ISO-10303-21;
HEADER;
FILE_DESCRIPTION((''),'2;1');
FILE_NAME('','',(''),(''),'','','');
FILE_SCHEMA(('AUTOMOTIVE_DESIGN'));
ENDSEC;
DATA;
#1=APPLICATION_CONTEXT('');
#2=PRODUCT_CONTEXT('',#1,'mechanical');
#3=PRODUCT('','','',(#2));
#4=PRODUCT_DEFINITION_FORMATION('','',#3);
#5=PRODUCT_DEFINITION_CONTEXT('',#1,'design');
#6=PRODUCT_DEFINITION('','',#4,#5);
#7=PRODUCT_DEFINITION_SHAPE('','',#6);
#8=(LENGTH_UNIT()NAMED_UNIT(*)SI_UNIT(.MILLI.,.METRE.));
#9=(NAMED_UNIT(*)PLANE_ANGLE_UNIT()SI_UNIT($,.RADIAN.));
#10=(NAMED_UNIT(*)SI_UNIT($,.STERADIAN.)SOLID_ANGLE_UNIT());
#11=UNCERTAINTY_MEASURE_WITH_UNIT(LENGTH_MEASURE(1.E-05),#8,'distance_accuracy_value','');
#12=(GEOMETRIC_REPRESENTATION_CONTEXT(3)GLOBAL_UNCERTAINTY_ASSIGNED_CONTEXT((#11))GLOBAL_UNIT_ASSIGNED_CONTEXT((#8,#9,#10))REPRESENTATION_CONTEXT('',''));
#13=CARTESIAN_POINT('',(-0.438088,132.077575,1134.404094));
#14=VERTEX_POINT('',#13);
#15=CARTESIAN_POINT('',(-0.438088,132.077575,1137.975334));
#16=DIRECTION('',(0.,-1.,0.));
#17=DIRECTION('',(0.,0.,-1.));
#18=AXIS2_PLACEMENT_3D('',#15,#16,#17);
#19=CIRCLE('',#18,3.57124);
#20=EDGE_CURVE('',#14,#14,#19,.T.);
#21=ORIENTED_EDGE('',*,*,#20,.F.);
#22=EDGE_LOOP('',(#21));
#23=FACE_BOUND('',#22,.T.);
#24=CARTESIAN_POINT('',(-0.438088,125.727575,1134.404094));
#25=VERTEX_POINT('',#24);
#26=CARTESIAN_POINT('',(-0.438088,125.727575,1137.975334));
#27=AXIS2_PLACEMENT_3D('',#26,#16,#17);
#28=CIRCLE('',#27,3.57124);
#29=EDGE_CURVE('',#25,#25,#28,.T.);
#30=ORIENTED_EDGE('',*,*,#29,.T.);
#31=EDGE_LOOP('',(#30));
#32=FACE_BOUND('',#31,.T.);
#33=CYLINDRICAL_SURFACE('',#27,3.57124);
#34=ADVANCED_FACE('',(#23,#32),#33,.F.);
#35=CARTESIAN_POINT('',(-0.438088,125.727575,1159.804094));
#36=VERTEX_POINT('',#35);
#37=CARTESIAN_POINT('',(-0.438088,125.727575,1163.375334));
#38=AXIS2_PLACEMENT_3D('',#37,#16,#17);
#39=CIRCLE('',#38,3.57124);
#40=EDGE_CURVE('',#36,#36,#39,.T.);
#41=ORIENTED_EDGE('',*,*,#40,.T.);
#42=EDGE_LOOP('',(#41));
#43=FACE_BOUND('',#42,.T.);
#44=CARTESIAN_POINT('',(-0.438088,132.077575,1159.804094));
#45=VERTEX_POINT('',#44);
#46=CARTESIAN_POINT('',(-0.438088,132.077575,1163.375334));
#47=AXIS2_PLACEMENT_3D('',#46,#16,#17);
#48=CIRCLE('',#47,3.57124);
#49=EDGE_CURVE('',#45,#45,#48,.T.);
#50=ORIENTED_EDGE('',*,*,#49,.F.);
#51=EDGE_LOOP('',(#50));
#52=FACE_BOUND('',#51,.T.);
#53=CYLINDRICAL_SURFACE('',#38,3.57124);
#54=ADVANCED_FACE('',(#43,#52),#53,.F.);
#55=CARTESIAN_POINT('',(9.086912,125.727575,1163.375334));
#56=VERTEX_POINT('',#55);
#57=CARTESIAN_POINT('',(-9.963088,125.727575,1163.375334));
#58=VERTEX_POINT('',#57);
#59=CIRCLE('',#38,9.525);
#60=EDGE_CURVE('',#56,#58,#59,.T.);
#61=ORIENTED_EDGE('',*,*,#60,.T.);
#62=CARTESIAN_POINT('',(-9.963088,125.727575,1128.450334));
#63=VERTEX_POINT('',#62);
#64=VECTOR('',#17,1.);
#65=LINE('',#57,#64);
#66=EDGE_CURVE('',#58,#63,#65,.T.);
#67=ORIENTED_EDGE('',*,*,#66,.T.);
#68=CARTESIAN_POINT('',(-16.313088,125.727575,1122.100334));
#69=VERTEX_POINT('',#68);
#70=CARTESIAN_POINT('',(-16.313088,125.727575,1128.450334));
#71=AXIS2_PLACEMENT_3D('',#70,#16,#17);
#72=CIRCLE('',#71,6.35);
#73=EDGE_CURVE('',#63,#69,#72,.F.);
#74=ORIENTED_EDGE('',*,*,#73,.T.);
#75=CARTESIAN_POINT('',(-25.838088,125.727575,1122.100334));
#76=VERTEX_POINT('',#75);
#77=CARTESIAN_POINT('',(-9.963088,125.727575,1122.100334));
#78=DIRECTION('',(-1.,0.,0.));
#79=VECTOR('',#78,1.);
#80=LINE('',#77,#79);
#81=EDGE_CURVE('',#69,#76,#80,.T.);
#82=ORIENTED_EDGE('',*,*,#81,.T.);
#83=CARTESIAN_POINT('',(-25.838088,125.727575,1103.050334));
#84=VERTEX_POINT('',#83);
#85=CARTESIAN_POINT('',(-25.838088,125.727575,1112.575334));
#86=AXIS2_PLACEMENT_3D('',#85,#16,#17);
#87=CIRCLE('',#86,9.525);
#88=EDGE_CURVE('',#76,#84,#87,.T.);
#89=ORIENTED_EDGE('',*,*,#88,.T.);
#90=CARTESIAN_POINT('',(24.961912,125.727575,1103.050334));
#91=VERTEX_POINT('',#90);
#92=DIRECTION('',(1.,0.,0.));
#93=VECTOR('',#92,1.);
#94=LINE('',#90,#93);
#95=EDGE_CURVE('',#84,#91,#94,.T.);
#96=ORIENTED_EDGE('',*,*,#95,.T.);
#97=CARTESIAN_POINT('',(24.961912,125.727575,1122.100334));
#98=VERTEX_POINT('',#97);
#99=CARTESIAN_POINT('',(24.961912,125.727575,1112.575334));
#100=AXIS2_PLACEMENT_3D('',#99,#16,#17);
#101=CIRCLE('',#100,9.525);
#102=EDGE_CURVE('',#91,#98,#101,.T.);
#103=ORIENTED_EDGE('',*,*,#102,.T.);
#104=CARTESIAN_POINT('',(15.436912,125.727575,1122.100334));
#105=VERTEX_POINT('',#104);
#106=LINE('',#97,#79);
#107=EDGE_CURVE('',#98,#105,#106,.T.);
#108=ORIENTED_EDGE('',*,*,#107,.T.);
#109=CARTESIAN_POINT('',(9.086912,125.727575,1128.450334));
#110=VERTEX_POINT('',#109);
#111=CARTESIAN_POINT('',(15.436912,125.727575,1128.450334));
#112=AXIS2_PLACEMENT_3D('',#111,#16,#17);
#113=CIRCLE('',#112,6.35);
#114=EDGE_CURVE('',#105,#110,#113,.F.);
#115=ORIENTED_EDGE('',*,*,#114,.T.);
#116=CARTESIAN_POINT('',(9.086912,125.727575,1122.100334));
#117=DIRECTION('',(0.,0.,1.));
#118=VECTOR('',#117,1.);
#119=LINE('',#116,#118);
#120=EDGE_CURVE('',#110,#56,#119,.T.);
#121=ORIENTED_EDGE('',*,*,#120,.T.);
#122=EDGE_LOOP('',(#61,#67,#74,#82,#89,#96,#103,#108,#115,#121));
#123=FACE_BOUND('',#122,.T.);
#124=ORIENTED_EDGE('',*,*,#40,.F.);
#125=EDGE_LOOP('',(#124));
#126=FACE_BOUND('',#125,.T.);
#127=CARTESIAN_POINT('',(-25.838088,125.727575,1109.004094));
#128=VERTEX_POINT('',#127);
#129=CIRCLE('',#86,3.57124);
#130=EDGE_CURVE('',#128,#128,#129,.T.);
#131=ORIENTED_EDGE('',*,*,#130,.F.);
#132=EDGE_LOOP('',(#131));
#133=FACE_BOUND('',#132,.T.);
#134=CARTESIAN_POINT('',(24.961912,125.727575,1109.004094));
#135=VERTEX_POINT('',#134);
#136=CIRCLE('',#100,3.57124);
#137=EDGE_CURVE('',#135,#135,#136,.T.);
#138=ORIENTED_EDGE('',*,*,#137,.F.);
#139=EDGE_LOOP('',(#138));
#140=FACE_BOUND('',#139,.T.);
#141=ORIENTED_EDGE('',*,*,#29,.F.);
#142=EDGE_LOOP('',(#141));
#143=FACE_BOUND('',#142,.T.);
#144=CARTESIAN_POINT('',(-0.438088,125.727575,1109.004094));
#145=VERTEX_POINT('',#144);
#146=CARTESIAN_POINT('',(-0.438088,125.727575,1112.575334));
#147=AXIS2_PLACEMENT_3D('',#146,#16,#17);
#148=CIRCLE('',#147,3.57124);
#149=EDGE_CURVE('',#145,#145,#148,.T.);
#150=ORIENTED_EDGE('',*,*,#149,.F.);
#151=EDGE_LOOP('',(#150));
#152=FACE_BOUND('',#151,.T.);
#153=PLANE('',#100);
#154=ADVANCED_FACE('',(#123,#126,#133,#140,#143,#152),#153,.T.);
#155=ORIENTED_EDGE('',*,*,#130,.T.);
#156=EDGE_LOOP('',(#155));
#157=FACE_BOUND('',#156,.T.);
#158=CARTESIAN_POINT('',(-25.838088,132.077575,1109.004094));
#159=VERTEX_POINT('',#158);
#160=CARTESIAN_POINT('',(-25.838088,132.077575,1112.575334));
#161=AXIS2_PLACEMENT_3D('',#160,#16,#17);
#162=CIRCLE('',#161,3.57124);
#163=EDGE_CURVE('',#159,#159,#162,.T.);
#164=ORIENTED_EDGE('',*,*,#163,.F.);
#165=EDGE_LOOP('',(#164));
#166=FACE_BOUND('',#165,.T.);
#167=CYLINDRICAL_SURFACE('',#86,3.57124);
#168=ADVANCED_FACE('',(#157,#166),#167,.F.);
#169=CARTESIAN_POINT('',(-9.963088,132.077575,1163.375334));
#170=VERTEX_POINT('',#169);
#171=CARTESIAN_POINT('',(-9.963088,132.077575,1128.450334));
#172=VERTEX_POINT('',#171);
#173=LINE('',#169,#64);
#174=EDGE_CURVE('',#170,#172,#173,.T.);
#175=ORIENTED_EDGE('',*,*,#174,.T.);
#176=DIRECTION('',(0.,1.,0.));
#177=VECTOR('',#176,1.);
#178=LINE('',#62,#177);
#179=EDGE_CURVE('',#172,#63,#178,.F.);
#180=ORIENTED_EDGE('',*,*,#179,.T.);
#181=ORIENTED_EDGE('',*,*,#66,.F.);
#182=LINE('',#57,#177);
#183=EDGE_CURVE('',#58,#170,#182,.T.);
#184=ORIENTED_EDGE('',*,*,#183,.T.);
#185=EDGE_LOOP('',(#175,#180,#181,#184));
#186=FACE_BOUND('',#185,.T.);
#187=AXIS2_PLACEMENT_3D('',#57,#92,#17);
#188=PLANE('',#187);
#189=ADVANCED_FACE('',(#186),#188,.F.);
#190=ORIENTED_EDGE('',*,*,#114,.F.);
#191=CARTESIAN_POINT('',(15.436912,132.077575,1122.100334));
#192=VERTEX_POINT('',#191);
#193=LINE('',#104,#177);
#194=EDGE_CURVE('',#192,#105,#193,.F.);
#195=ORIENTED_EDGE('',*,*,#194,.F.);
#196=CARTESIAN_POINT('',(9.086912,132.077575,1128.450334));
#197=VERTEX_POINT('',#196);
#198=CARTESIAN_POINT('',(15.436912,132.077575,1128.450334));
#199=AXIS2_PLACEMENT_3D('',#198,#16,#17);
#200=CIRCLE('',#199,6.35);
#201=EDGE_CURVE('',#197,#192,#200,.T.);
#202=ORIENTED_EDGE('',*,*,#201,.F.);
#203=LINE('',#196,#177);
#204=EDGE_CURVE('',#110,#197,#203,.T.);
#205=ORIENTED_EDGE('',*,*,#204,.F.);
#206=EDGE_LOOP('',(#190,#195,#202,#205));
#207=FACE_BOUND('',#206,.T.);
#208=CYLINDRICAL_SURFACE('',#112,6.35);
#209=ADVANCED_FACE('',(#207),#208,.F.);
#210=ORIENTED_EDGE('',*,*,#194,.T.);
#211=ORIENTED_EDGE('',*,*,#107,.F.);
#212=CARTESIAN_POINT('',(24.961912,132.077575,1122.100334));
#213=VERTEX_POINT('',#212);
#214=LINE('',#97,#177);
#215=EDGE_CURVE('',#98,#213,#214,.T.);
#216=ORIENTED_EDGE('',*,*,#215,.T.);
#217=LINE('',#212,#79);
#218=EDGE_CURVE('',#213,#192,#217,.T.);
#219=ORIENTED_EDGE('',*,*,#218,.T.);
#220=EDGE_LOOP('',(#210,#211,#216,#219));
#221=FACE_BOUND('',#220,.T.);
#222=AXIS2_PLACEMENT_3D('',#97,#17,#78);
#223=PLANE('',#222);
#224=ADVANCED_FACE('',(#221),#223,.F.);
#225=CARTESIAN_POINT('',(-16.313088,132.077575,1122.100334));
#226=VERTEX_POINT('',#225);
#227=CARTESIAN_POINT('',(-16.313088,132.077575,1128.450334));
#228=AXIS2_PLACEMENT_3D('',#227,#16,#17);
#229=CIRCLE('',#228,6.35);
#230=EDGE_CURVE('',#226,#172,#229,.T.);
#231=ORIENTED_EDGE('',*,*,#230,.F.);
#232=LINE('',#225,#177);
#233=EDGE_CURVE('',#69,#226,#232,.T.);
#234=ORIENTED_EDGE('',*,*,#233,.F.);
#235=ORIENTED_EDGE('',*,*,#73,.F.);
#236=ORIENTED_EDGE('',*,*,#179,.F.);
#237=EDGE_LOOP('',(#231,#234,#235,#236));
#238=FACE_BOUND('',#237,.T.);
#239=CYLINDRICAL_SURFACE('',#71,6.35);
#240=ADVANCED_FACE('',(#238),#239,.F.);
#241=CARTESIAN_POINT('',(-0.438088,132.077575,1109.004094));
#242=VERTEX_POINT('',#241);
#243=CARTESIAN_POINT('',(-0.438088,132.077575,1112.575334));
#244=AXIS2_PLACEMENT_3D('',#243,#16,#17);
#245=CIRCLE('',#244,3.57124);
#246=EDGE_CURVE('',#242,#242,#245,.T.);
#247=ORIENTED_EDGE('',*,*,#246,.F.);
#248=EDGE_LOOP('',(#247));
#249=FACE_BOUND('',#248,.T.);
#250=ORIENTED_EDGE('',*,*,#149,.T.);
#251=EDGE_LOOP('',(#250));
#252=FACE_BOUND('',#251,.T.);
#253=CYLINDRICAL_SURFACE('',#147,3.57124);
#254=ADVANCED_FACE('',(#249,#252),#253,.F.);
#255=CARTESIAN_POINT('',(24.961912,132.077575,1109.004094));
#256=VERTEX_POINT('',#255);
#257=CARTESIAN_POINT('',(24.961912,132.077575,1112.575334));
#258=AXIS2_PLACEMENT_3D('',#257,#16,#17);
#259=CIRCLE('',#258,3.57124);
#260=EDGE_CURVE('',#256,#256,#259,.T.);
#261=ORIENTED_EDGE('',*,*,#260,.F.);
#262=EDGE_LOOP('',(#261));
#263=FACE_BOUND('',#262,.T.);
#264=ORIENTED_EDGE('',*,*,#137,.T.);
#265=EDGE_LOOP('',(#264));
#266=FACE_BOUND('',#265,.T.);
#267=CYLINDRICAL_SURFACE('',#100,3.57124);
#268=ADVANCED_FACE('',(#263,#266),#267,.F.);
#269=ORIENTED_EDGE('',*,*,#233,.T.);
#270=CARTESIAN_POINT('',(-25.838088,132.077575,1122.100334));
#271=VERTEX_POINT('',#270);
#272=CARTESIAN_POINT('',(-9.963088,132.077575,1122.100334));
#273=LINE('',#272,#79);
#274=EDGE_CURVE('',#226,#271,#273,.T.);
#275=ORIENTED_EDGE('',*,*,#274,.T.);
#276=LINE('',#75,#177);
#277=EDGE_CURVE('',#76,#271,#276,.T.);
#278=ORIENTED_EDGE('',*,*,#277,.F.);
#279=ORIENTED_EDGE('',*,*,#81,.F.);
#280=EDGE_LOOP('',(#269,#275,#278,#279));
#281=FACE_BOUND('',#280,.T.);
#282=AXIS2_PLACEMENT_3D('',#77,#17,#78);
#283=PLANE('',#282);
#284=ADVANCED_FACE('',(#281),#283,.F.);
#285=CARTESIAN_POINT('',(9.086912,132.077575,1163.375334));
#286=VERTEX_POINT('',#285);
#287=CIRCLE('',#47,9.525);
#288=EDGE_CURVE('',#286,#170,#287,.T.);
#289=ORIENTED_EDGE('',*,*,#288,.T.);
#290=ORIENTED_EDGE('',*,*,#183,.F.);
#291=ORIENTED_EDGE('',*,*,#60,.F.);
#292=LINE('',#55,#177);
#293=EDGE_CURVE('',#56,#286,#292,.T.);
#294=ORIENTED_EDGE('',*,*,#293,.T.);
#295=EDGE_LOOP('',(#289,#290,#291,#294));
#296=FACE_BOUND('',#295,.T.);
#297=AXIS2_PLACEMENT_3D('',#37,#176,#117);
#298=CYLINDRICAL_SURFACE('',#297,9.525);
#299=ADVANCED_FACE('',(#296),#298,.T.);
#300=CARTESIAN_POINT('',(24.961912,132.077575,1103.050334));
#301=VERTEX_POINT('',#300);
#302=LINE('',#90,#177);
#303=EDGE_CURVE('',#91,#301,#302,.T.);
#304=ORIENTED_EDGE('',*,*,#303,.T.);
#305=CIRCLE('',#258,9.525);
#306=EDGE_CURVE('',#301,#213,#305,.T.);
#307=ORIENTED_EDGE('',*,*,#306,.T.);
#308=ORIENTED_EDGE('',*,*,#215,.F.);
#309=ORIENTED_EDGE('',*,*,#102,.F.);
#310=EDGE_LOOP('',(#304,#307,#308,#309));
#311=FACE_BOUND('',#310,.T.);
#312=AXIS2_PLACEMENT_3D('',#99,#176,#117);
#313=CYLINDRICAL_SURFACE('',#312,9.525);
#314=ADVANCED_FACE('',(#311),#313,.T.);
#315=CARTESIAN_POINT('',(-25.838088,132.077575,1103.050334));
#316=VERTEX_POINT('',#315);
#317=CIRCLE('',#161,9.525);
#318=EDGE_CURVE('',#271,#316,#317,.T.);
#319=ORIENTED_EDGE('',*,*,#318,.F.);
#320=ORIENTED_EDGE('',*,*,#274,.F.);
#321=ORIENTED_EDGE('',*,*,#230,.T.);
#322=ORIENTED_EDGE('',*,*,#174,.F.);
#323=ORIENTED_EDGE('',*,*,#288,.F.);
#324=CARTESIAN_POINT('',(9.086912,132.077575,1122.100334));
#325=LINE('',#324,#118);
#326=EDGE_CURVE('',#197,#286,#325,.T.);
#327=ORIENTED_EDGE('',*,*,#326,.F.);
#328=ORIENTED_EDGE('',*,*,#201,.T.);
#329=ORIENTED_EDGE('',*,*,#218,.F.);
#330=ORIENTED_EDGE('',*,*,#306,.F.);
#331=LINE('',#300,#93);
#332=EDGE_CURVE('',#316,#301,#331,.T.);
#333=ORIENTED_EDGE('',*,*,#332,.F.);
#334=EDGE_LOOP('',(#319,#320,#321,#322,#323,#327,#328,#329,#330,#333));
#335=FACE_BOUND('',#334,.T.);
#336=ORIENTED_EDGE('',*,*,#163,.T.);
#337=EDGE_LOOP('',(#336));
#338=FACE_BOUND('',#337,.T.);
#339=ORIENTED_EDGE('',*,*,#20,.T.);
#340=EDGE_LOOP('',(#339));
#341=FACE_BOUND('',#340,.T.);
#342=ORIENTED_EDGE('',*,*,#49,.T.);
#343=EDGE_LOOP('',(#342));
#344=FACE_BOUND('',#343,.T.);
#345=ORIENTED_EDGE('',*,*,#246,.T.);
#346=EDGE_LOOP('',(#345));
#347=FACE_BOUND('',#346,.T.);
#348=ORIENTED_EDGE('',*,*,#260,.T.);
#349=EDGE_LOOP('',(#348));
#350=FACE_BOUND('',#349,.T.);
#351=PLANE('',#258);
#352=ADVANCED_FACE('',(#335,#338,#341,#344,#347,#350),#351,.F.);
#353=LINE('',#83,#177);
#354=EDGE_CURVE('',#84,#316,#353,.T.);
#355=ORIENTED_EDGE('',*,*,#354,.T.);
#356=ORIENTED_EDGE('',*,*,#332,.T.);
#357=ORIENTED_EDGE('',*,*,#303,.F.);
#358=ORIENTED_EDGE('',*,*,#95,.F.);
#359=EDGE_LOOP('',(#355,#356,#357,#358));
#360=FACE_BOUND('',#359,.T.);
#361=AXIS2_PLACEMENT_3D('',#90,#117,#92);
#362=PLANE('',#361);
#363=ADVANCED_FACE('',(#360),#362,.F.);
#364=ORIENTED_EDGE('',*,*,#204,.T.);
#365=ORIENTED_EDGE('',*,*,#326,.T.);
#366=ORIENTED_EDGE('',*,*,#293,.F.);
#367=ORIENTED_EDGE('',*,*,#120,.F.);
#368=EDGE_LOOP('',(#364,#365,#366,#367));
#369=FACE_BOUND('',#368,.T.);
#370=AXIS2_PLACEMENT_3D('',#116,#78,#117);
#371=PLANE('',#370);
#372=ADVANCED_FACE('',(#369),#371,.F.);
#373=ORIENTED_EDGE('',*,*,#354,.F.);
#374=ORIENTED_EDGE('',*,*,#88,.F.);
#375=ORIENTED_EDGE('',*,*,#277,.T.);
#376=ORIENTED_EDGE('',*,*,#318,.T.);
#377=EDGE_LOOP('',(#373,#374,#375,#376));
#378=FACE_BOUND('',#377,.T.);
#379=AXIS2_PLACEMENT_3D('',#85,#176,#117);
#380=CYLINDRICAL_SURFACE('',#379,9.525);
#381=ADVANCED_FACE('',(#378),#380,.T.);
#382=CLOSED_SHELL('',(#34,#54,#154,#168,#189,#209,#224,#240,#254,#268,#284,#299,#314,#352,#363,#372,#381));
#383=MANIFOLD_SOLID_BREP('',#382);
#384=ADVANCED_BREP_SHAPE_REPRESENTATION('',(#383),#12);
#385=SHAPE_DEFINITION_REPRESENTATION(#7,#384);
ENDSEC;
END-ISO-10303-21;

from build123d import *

# Parameters (mm, degrees)
BOSS_EXTRUDE1_START     = 12.827
BOSS_EXTRUDE1_DEPTH     = 6.35
FILLET1_R               = 6.35
F_1_4_CLEARANCE_HOLE1_D = 7.14248


with BuildPart() as part:
    # Sketch1 → Boss-Extrude1 (new body)
    with BuildSketch(Plane(origin=(0, 144.904574554, 0), x_dir=(-1, 0, 0), z_dir=(0, -1, 0)).offset(BOSS_EXTRUDE1_START)):
        with BuildLine():
            Line((-24.961912484, -1122.100334154), (-9.086912484, -1122.100334154))
            Line((-9.086912484, -1122.100334154), (-9.086912484, -1163.375334154))
            ThreePointArc((-9.086912484, -1163.375334154), (0.438087516, -1172.900334154), (9.963087516, -1163.375334154))
            Line((9.963087516, -1163.375334154), (9.963087516, -1122.100334154))
            Line((9.963087516, -1122.100334154), (25.838087516, -1122.100334154))
            ThreePointArc((25.838087516, -1122.100334154), (35.363087516, -1112.575334154), (25.838087516, -1103.050334154))
            Line((25.838087516, -1103.050334154), (-24.961912484, -1103.050334154))
            ThreePointArc((-24.961912484, -1103.050334154), (-34.486912484, -1112.575334154), (-24.961912484, -1122.100334154))
        make_face()
    extrude(amount=BOSS_EXTRUDE1_DEPTH)

    # Fillet1
    fillet1_edges = [part.edges().sort_by_distance(p)[0] for p in [
        (-9.963087516, 128.902574554, 1122.100334154),
        (9.086912484, 128.902574554, 1122.100334154),
    ]]
    fillet(fillet1_edges, radius=FILLET1_R)

    # 1/4 Clearance Hole1 (through all)
    with Locations(Plane(origin=(0, 125.727574554, 0), x_dir=(-1, 0, 0), z_dir=(0, -1, 0))):
        with Locations((-24.961912484, -1112.575334154), (25.838087516, -1112.575334154), (0.438087516, -1137.975334154), (0.438087516, -1163.375334154), (0.438087516, -1112.575334154)):
            Hole(F_1_4_CLEARANCE_HOLE1_D / 2)


solid = part.part
